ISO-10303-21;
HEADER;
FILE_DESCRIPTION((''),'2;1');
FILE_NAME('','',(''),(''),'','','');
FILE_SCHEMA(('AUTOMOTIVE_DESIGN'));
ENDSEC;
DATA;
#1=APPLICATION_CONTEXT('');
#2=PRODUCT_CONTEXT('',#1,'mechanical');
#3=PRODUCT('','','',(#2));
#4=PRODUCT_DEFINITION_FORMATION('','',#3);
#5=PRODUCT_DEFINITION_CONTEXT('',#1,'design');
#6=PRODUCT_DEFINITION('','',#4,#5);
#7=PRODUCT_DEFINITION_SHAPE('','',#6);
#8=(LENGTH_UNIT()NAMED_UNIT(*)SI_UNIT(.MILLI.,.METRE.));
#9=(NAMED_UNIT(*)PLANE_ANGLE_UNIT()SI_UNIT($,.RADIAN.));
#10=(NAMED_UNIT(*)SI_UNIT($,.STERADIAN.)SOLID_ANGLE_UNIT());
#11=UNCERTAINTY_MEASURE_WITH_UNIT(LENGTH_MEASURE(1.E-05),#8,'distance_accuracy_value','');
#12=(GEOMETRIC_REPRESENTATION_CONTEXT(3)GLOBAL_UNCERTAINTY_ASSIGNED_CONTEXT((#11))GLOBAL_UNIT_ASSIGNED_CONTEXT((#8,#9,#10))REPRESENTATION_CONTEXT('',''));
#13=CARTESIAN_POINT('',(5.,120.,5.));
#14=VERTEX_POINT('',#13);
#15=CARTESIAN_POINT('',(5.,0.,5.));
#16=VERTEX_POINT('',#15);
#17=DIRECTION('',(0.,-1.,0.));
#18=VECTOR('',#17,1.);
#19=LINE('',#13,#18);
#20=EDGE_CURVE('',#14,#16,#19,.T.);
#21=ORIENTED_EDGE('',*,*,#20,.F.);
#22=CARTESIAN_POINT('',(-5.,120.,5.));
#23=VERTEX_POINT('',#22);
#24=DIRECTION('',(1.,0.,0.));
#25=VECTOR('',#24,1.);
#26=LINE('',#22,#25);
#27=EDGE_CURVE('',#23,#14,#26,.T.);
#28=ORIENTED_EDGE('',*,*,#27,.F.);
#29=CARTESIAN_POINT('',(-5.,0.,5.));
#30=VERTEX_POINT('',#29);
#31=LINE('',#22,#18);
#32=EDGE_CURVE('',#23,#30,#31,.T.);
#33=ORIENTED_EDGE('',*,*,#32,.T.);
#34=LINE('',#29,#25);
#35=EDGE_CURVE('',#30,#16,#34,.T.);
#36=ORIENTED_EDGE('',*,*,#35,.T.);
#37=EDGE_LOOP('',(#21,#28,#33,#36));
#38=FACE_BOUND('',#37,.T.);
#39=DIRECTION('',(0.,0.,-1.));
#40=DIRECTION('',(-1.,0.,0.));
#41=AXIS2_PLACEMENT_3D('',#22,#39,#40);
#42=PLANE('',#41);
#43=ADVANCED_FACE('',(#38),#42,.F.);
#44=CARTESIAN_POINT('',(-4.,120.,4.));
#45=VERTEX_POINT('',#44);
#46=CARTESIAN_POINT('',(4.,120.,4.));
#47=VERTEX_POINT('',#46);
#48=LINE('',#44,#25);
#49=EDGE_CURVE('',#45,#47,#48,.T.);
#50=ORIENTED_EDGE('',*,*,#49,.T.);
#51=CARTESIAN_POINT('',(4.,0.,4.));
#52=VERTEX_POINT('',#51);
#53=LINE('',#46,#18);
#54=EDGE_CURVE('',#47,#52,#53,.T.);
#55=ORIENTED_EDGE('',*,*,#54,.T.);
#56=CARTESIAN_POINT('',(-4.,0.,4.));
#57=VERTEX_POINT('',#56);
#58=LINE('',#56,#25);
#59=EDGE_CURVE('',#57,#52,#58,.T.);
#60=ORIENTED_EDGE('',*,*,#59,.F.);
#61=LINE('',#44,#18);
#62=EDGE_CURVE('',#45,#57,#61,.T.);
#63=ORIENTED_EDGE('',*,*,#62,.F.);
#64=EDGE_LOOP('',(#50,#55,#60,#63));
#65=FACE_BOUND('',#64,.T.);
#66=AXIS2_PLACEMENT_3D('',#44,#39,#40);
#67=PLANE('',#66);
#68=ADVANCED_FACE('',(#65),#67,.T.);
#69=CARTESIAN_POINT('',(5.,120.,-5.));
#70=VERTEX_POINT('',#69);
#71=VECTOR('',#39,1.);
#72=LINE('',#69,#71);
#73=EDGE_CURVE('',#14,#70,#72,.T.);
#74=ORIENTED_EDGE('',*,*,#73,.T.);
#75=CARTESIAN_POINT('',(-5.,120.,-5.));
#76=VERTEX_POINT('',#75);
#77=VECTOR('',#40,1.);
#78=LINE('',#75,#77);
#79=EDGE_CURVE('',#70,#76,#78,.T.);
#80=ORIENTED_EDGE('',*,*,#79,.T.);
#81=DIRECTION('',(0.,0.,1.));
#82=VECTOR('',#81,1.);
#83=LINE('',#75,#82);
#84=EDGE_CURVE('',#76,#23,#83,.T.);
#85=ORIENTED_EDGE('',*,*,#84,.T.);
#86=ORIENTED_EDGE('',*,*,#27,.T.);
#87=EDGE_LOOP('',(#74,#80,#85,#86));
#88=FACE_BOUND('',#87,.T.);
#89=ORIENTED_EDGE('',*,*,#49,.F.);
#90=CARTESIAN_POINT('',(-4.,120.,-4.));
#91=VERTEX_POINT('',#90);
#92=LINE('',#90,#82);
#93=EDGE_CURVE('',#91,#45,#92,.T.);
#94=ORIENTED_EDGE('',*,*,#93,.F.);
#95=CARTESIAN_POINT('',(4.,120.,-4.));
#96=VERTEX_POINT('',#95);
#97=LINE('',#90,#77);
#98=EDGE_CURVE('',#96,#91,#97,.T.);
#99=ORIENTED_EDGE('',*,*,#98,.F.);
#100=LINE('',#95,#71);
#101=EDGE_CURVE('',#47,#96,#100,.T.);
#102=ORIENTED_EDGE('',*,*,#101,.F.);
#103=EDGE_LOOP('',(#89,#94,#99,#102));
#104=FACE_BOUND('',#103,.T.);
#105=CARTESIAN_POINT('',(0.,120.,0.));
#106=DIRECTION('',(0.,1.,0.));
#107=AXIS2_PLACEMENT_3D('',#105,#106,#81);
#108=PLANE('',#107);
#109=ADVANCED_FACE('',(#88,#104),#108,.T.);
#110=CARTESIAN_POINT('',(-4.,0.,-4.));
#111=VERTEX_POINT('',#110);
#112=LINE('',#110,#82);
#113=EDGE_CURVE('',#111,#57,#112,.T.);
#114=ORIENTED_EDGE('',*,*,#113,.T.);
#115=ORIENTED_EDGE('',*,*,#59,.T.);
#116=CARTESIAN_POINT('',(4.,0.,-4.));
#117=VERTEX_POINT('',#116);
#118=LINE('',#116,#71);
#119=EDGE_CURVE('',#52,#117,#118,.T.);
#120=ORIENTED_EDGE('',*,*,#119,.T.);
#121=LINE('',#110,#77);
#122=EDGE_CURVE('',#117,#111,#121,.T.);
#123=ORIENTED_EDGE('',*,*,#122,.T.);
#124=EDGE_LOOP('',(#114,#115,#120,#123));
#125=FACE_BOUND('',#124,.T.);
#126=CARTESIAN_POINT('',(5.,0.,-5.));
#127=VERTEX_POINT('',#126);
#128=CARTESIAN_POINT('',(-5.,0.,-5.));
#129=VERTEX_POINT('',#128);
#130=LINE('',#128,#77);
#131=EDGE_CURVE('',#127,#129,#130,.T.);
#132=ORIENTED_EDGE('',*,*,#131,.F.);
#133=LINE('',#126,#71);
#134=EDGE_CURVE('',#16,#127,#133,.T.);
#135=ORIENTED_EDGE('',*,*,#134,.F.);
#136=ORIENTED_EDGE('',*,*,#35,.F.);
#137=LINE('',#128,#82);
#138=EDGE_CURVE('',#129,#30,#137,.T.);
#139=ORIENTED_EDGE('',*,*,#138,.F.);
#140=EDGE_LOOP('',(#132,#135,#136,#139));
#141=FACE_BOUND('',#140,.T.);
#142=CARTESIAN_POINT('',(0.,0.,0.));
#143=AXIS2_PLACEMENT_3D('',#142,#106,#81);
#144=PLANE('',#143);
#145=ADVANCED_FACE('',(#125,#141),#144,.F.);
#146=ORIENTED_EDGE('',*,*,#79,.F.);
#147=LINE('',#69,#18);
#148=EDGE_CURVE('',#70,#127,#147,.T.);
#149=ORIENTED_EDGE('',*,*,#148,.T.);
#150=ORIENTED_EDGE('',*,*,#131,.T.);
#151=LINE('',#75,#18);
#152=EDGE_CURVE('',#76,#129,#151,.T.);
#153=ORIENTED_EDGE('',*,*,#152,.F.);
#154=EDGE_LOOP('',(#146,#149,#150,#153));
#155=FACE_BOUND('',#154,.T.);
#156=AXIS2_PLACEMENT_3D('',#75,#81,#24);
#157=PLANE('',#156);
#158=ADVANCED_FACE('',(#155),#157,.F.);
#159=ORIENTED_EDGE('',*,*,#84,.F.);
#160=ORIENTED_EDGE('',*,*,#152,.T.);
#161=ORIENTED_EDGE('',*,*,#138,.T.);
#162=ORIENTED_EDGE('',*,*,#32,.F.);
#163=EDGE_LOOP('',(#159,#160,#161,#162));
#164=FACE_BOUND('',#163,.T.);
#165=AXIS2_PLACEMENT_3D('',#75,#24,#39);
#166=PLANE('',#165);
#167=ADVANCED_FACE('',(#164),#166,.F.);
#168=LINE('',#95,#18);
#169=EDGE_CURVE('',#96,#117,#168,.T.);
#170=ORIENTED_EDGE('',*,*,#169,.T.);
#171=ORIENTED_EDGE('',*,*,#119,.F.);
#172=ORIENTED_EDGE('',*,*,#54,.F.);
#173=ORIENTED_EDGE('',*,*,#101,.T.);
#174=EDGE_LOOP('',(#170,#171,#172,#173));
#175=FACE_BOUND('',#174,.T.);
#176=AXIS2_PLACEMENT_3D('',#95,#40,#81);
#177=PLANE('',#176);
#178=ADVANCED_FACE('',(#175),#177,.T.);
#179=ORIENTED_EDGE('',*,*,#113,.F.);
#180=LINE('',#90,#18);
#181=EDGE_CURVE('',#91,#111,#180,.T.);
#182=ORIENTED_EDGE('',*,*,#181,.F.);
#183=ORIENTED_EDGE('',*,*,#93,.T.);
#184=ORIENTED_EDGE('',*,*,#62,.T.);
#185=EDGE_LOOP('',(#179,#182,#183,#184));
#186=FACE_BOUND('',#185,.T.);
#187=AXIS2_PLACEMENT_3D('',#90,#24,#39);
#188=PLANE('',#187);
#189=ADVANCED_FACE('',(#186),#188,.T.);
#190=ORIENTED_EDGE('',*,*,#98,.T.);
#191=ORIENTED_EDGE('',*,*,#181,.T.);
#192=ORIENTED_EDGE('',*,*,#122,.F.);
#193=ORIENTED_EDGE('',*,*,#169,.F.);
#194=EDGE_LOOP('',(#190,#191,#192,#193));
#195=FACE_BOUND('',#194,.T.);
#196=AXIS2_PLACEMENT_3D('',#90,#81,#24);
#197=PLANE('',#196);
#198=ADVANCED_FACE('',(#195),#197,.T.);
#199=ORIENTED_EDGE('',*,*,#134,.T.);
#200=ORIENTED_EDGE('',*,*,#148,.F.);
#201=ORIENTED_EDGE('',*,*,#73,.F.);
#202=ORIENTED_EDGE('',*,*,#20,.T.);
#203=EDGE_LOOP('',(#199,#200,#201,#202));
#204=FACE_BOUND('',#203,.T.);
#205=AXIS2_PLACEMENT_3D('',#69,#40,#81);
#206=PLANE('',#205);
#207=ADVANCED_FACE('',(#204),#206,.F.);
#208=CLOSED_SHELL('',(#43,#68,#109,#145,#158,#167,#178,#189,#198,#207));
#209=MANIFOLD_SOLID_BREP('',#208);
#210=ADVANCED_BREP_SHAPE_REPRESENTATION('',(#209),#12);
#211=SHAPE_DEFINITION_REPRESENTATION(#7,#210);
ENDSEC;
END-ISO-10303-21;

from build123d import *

# Parameters (mm, degrees)
SKETCH_1_W      = 10
SKETCH_1_H      = 10
SKETCH_1_W_2    = 8
SKETCH_1_H_2    = 8
EXTRUDE_1_DEPTH = 120


with BuildPart() as part:
    # 草图1 → 凸台-拉伸1 (new body)
    with BuildSketch(Plane(origin=(0, 0, 0), x_dir=(1, 0, 0), z_dir=(0, 1, 0))):
        Rectangle(SKETCH_1_W, SKETCH_1_H)
        Rectangle(SKETCH_1_W_2, SKETCH_1_H_2, mode=Mode.SUBTRACT)
    extrude(amount=EXTRUDE_1_DEPTH)


solid = part.part
